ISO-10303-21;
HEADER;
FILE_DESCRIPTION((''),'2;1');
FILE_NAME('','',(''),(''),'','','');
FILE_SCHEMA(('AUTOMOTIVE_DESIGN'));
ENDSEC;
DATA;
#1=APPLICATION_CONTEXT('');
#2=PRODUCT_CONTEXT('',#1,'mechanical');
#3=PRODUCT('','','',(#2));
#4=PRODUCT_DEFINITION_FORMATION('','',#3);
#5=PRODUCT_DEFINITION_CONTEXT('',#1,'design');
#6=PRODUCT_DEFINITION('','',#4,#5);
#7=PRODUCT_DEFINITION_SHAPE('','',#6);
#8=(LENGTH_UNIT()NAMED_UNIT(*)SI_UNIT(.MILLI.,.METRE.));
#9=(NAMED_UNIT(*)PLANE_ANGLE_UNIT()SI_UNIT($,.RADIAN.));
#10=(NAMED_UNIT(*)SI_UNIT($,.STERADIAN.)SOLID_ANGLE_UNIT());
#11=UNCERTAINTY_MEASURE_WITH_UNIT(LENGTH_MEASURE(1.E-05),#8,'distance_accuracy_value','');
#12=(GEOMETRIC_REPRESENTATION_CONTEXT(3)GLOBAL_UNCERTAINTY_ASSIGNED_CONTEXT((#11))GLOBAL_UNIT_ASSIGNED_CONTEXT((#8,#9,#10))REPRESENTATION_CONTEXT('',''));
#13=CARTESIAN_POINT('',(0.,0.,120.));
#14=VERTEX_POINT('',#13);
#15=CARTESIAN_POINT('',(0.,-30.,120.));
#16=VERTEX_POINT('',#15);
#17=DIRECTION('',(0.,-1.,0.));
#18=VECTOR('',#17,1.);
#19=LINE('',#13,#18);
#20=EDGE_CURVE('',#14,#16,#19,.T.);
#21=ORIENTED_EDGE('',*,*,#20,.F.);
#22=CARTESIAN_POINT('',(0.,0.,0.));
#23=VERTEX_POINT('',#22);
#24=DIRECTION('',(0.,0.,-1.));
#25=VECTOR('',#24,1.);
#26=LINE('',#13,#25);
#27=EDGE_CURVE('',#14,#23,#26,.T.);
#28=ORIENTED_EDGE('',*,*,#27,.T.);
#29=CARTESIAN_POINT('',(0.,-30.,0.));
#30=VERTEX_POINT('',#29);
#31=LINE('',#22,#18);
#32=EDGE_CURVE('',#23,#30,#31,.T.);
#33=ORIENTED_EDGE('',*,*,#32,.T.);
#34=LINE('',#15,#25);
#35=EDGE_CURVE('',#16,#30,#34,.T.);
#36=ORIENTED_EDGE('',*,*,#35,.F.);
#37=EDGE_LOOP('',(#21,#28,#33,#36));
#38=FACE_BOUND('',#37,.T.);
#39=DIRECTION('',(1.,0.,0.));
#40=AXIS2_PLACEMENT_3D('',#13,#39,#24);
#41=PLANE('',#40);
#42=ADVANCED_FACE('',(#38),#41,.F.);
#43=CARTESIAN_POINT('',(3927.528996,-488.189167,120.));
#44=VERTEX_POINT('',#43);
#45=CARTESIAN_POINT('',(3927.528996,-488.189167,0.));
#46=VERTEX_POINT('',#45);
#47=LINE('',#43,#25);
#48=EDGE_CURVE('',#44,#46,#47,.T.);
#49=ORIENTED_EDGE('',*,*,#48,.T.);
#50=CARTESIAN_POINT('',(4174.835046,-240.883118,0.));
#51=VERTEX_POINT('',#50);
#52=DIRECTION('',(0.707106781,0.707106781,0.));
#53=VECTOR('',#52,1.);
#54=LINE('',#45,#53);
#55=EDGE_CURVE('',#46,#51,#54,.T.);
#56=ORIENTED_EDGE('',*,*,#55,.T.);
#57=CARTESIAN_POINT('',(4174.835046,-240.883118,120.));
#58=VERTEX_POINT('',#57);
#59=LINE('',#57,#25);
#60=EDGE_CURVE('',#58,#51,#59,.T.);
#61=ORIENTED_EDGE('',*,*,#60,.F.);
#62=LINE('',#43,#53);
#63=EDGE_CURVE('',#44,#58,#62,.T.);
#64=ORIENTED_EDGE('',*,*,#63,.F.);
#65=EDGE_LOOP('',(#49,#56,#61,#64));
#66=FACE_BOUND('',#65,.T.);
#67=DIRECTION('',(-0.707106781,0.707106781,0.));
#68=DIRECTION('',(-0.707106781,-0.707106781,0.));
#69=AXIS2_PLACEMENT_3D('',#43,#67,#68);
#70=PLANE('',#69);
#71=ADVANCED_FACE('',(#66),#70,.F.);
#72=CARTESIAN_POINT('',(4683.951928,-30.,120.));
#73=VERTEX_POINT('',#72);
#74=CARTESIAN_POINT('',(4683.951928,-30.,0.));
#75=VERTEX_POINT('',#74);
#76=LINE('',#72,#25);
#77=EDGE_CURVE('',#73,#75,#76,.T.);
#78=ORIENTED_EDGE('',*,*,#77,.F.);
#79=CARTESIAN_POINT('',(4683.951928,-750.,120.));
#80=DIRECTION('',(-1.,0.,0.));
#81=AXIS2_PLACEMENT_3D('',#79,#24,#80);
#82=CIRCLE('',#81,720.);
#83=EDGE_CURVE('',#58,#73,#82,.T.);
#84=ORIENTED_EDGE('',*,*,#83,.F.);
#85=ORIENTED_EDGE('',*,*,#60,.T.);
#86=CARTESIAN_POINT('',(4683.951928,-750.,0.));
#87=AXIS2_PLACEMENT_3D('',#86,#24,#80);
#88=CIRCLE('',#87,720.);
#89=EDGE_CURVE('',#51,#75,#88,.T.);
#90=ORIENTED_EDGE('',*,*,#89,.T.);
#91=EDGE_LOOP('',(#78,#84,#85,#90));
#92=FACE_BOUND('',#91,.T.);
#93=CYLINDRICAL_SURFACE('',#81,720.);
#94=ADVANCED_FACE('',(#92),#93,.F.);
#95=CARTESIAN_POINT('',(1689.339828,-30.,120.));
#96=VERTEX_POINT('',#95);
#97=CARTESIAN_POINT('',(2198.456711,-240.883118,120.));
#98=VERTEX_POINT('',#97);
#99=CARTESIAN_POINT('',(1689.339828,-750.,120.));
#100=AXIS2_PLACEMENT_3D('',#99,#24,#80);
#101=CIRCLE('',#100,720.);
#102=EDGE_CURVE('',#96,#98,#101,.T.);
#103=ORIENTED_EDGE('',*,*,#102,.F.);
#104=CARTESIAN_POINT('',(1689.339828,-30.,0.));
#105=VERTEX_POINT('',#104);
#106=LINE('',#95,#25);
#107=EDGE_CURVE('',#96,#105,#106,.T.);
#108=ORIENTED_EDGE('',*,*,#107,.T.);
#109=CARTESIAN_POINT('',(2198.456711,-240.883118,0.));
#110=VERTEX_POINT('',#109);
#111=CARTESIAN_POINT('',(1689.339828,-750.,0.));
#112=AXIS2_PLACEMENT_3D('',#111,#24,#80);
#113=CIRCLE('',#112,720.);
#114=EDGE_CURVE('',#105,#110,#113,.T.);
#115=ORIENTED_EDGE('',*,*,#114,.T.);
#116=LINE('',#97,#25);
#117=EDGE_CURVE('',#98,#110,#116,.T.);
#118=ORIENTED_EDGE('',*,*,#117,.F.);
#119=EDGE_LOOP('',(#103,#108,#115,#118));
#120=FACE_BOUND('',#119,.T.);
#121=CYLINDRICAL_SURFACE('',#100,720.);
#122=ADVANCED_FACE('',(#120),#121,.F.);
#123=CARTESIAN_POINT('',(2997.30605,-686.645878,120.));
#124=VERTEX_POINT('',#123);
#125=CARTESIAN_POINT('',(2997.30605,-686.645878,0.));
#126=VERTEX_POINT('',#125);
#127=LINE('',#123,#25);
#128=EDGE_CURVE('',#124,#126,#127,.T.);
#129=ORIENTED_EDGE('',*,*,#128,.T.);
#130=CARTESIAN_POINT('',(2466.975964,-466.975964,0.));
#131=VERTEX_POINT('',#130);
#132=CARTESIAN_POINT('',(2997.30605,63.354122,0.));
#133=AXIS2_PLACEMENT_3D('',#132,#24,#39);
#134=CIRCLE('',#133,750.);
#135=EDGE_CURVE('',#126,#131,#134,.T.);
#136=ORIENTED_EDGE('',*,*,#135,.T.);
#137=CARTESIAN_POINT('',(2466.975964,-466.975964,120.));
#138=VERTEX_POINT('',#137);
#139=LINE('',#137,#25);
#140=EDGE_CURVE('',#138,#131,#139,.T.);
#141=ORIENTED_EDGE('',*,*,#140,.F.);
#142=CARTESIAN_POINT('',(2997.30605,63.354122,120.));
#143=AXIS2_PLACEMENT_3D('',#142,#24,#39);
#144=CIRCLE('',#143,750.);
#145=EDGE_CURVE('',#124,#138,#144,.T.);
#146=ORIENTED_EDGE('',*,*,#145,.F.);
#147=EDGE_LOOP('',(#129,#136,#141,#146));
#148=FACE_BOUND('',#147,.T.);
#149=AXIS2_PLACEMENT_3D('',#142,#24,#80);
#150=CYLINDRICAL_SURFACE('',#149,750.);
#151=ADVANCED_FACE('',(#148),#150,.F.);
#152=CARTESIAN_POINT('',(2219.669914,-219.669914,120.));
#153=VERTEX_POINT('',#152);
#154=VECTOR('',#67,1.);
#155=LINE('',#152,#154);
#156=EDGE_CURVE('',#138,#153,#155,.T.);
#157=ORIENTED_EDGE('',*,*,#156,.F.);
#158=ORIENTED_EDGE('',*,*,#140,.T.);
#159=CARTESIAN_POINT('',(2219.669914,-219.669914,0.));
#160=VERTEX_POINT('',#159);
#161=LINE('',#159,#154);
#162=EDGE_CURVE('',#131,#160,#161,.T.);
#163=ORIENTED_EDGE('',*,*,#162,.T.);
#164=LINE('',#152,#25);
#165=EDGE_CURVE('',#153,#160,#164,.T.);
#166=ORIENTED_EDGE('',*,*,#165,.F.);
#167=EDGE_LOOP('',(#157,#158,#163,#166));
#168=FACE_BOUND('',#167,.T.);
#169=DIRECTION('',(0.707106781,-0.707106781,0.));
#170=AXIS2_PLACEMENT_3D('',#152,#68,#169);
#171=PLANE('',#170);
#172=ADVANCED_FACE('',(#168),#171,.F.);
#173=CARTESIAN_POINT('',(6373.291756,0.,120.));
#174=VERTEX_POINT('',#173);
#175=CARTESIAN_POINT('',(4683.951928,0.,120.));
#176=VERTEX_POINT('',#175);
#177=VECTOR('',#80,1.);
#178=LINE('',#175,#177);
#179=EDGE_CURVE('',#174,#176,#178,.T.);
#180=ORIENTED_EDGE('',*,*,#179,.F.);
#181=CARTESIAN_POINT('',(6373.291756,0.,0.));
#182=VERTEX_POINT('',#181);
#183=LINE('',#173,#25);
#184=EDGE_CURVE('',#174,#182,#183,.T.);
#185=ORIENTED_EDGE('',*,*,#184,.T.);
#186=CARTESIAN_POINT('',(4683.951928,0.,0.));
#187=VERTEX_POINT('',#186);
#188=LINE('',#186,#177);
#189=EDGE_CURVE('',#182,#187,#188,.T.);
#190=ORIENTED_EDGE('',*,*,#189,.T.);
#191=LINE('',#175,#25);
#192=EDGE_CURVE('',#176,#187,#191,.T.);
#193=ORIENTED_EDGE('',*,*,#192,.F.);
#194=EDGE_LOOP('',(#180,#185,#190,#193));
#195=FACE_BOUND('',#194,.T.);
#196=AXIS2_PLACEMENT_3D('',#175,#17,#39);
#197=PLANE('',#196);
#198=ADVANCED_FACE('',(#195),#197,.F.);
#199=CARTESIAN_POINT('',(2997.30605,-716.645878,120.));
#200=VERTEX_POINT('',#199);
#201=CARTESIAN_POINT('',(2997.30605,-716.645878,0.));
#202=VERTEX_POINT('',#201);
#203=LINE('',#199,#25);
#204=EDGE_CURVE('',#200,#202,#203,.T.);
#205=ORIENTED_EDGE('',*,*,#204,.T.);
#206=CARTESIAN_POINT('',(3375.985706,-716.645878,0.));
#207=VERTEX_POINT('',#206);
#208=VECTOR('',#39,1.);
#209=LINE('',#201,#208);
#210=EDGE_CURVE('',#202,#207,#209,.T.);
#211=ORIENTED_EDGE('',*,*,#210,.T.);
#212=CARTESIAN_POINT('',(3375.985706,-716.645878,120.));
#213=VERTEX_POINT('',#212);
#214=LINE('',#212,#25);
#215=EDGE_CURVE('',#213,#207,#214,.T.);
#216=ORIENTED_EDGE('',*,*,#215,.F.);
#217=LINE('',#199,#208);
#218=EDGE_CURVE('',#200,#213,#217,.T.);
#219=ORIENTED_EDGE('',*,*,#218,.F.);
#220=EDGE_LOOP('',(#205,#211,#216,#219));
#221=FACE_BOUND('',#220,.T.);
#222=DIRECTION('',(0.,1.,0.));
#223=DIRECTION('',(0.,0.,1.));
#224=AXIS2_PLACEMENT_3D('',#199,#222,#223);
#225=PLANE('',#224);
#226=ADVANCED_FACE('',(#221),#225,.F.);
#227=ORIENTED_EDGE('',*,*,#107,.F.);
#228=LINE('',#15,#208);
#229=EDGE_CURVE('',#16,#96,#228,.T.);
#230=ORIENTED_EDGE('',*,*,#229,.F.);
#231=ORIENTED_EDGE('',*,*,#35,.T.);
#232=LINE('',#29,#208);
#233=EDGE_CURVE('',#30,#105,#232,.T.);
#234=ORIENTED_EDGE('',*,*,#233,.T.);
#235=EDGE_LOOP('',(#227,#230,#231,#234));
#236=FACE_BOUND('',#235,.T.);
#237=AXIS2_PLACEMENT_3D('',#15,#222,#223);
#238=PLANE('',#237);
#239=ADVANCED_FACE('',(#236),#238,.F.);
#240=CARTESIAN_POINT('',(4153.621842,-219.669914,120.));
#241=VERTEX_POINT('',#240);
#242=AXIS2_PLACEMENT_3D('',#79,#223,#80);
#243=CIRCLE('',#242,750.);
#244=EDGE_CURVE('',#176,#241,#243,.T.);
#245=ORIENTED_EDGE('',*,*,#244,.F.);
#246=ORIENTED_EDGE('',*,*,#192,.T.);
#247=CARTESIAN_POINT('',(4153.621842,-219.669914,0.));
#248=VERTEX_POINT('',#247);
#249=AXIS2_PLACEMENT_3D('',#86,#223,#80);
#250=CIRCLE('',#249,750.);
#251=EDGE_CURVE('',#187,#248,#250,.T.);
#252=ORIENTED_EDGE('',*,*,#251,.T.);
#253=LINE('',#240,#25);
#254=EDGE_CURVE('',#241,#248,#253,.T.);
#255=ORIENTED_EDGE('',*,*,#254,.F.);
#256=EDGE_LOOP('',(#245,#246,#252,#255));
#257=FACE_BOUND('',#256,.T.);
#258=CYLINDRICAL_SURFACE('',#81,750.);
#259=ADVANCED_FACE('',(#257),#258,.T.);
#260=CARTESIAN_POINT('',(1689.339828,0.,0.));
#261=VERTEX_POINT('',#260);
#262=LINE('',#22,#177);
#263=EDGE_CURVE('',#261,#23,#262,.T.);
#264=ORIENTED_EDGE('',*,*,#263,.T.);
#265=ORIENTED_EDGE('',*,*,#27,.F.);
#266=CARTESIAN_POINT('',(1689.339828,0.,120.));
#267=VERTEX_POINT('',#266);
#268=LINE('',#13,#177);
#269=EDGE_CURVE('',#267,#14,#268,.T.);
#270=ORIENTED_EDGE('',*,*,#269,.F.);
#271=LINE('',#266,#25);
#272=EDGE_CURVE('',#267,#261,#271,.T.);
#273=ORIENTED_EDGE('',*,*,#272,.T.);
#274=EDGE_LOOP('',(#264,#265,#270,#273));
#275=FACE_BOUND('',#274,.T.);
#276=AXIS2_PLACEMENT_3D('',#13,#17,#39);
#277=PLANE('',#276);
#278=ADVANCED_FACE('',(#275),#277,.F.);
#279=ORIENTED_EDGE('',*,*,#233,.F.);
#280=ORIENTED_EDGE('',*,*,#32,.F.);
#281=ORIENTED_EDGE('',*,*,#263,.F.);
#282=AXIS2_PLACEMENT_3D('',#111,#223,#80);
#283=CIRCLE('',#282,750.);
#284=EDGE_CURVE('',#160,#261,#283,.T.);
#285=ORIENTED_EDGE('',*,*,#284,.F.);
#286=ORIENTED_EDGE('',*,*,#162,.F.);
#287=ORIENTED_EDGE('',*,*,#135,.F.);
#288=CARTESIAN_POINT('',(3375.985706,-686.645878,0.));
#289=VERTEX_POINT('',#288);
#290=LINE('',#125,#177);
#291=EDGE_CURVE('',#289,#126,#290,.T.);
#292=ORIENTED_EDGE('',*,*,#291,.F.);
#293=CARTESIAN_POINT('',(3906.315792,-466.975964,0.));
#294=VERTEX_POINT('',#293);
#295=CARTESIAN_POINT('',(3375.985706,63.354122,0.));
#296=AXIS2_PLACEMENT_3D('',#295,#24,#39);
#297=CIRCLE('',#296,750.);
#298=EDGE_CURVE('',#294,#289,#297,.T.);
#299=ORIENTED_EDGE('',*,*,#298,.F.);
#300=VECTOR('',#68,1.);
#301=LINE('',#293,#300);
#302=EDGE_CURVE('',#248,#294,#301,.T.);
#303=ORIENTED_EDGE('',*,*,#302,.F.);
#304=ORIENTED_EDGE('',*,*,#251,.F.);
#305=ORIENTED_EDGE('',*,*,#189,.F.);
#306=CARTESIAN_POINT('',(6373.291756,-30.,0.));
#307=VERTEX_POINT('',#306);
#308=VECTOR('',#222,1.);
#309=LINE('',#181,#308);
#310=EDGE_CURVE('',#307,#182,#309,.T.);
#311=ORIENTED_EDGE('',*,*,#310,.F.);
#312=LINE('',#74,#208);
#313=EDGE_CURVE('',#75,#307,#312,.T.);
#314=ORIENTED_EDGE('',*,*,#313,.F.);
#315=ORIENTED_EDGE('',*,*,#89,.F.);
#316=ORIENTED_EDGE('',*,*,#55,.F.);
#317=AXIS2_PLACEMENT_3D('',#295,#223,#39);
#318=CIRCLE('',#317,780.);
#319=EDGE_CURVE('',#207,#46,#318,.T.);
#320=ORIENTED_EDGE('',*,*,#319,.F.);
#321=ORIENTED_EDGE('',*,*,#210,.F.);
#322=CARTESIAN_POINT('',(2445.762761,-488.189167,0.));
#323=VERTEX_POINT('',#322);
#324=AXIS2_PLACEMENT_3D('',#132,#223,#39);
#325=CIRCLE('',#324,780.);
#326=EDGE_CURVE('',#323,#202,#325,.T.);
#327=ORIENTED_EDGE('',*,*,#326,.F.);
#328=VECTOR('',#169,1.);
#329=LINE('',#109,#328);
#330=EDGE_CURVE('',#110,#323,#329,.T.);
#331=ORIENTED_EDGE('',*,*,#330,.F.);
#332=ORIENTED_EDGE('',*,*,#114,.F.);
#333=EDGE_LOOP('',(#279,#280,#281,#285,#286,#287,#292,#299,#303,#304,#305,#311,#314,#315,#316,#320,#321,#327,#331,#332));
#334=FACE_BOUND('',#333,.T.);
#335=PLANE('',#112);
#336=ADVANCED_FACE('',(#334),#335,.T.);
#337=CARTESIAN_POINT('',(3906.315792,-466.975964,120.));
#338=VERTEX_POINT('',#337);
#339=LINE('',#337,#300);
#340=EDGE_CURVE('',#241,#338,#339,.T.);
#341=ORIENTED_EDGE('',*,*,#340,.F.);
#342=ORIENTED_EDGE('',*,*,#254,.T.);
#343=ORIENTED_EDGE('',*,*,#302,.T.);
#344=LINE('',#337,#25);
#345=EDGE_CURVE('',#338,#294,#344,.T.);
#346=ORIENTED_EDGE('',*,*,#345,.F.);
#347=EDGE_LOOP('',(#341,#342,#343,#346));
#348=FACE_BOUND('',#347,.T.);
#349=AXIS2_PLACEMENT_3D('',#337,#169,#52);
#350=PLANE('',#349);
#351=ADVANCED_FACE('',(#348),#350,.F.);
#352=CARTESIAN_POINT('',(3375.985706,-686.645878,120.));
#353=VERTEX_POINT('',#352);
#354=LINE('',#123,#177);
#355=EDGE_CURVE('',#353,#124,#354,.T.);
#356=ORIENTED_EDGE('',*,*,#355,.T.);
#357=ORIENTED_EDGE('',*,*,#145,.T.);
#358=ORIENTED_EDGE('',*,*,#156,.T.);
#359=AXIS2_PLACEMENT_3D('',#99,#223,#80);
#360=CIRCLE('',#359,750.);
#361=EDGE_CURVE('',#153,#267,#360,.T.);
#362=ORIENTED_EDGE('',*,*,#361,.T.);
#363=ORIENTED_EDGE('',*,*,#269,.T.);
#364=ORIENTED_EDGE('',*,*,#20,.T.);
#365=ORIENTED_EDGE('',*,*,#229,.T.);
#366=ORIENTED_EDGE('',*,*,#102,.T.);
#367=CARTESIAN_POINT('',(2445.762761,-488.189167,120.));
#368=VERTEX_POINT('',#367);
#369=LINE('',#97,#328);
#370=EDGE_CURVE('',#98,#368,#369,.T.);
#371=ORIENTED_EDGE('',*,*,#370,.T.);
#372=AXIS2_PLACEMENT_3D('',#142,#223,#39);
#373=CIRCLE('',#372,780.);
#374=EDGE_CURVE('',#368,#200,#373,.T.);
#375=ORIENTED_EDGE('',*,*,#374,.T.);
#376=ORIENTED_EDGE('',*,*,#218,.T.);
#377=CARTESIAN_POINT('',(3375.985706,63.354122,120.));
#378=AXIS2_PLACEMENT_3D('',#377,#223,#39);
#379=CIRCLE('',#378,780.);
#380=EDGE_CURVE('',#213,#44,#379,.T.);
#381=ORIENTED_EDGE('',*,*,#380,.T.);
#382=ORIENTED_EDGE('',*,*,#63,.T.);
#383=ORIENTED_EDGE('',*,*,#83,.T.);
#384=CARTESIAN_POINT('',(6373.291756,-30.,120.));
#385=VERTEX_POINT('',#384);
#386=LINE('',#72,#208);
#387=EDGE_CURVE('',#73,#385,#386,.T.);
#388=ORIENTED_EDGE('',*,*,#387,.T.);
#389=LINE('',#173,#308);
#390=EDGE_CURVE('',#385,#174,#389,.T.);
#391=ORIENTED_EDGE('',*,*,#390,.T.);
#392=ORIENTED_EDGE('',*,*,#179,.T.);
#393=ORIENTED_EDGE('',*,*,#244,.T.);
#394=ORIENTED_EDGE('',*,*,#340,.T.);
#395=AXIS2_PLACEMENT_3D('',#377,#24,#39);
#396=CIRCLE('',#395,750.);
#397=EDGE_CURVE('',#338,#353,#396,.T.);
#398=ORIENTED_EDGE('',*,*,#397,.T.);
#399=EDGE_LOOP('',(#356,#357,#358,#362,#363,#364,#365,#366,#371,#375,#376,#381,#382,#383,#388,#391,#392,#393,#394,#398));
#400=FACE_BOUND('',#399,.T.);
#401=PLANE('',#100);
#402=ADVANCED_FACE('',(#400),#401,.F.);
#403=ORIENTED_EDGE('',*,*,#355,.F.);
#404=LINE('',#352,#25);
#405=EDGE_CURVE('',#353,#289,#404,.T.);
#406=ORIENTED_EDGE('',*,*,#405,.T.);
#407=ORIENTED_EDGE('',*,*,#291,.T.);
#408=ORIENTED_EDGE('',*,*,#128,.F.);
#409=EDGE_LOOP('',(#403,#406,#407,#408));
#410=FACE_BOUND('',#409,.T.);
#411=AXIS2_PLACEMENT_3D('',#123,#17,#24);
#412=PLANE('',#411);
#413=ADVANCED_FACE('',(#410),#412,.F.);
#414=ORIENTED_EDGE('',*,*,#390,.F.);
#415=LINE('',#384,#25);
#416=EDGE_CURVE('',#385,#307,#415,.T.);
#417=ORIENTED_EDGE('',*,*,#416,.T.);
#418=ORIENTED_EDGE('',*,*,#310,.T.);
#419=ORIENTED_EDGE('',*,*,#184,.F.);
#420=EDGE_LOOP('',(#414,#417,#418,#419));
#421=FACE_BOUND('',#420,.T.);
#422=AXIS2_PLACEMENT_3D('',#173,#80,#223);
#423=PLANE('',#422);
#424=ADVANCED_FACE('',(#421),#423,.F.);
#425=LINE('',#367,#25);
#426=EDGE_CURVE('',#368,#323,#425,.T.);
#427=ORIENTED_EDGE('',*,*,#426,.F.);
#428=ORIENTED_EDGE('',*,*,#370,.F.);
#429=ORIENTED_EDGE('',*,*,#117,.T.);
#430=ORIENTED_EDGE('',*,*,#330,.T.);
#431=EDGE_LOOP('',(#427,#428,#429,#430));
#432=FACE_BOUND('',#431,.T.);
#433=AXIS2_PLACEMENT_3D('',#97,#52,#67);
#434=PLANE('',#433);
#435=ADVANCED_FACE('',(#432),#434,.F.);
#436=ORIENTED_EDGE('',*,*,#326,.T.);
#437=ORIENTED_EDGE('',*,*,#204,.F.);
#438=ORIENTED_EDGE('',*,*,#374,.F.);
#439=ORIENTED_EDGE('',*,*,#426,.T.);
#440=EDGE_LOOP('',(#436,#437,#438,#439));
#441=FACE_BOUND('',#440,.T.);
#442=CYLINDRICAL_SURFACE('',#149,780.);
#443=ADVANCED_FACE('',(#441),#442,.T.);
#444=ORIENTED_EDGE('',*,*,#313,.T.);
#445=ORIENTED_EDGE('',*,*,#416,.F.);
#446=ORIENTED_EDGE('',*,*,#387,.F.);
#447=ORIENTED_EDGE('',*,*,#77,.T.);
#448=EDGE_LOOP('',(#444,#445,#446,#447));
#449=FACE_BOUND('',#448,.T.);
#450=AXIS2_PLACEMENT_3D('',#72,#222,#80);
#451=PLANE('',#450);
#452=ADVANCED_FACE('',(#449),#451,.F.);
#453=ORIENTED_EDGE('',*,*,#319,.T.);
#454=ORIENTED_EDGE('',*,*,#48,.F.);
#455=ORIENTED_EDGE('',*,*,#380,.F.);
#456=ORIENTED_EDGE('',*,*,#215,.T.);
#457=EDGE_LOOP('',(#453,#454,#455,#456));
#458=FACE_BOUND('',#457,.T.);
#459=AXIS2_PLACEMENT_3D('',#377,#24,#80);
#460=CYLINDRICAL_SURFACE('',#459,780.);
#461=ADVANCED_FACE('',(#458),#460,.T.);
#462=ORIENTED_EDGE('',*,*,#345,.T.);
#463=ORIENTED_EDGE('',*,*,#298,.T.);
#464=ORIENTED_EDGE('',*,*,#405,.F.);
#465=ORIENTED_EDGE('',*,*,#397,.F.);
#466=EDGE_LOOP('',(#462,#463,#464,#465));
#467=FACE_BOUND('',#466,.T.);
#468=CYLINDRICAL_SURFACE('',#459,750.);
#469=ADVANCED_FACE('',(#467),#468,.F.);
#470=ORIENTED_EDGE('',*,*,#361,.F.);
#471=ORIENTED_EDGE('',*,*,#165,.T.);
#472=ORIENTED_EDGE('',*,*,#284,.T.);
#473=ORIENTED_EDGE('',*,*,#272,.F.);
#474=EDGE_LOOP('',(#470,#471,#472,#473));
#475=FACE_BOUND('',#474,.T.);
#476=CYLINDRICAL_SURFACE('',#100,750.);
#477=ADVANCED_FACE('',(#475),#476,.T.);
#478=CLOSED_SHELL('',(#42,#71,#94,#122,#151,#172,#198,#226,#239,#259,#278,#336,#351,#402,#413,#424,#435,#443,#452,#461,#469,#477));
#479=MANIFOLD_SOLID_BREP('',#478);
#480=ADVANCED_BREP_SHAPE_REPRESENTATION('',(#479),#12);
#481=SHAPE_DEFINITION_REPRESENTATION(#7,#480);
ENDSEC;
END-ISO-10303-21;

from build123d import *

# Parameters (mm, degrees)
SALIENTE_EXTRUIR1_DEPTH = 120


with BuildPart() as part:
    # Croquis1 → Saliente-Extruir1 (new body)
    with BuildSketch(Plane.XY):
        with BuildLine():
            Line((0, 0), (1689.33982822, 0))
            ThreePointArc((1689.33982822, 0), (1976.352402494, -57.090350617), (2219.66991411, -219.66991411))
            Line((2219.66991411, -219.66991411), (2466.975964055, -466.975964055))
            ThreePointArc((2466.975964055, -466.975964055), (2710.293475671, -629.555527548), (2997.306049945, -686.645878165))
            Line((2997.306049945, -686.645878165), (3375.985706385, -686.645878165))
            ThreePointArc((3375.985706385, -686.645878165), (3662.998280659, -629.555527548), (3906.315792275, -466.975964055))
            Line((3906.315792275, -466.975964055), (4153.62184222, -219.66991411))
            ThreePointArc((4153.62184222, -219.66991411), (4396.939353836, -57.090350617), (4683.95192811, 0))
            Line((4683.95192811, 0), (6373.29175633, 0))
            Line((6373.29175633, 0), (6373.29175633, -30))
            Line((6373.29175633, -30), (4683.95192811, -30))
            ThreePointArc((4683.95192811, -30), (4408.419856807, -84.806736592), (4174.835045655, -240.883117546))
            Line((4174.835045655, -240.883117546), (3927.528995711, -488.18916749))
            ThreePointArc((3927.528995711, -488.18916749), (3674.47878363, -657.271913524), (3375.985706385, -716.645878165))
            Line((3375.985706385, -716.645878165), (2997.306049945, -716.645878165))
            ThreePointArc((2997.306049945, -716.645878165), (2698.8129727, -657.271913524), (2445.762760619, -488.18916749))
            Line((2445.762760619, -488.18916749), (2198.456710674, -240.883117546))
            ThreePointArc((2198.456710674, -240.883117546), (1964.871899523, -84.806736592), (1689.33982822, -30))
            Line((1689.33982822, -30), (0, -30))
            Line((0, -30), (0, 0))
        make_face()
    extrude(amount=SALIENTE_EXTRUIR1_DEPTH)


solid = part.part
